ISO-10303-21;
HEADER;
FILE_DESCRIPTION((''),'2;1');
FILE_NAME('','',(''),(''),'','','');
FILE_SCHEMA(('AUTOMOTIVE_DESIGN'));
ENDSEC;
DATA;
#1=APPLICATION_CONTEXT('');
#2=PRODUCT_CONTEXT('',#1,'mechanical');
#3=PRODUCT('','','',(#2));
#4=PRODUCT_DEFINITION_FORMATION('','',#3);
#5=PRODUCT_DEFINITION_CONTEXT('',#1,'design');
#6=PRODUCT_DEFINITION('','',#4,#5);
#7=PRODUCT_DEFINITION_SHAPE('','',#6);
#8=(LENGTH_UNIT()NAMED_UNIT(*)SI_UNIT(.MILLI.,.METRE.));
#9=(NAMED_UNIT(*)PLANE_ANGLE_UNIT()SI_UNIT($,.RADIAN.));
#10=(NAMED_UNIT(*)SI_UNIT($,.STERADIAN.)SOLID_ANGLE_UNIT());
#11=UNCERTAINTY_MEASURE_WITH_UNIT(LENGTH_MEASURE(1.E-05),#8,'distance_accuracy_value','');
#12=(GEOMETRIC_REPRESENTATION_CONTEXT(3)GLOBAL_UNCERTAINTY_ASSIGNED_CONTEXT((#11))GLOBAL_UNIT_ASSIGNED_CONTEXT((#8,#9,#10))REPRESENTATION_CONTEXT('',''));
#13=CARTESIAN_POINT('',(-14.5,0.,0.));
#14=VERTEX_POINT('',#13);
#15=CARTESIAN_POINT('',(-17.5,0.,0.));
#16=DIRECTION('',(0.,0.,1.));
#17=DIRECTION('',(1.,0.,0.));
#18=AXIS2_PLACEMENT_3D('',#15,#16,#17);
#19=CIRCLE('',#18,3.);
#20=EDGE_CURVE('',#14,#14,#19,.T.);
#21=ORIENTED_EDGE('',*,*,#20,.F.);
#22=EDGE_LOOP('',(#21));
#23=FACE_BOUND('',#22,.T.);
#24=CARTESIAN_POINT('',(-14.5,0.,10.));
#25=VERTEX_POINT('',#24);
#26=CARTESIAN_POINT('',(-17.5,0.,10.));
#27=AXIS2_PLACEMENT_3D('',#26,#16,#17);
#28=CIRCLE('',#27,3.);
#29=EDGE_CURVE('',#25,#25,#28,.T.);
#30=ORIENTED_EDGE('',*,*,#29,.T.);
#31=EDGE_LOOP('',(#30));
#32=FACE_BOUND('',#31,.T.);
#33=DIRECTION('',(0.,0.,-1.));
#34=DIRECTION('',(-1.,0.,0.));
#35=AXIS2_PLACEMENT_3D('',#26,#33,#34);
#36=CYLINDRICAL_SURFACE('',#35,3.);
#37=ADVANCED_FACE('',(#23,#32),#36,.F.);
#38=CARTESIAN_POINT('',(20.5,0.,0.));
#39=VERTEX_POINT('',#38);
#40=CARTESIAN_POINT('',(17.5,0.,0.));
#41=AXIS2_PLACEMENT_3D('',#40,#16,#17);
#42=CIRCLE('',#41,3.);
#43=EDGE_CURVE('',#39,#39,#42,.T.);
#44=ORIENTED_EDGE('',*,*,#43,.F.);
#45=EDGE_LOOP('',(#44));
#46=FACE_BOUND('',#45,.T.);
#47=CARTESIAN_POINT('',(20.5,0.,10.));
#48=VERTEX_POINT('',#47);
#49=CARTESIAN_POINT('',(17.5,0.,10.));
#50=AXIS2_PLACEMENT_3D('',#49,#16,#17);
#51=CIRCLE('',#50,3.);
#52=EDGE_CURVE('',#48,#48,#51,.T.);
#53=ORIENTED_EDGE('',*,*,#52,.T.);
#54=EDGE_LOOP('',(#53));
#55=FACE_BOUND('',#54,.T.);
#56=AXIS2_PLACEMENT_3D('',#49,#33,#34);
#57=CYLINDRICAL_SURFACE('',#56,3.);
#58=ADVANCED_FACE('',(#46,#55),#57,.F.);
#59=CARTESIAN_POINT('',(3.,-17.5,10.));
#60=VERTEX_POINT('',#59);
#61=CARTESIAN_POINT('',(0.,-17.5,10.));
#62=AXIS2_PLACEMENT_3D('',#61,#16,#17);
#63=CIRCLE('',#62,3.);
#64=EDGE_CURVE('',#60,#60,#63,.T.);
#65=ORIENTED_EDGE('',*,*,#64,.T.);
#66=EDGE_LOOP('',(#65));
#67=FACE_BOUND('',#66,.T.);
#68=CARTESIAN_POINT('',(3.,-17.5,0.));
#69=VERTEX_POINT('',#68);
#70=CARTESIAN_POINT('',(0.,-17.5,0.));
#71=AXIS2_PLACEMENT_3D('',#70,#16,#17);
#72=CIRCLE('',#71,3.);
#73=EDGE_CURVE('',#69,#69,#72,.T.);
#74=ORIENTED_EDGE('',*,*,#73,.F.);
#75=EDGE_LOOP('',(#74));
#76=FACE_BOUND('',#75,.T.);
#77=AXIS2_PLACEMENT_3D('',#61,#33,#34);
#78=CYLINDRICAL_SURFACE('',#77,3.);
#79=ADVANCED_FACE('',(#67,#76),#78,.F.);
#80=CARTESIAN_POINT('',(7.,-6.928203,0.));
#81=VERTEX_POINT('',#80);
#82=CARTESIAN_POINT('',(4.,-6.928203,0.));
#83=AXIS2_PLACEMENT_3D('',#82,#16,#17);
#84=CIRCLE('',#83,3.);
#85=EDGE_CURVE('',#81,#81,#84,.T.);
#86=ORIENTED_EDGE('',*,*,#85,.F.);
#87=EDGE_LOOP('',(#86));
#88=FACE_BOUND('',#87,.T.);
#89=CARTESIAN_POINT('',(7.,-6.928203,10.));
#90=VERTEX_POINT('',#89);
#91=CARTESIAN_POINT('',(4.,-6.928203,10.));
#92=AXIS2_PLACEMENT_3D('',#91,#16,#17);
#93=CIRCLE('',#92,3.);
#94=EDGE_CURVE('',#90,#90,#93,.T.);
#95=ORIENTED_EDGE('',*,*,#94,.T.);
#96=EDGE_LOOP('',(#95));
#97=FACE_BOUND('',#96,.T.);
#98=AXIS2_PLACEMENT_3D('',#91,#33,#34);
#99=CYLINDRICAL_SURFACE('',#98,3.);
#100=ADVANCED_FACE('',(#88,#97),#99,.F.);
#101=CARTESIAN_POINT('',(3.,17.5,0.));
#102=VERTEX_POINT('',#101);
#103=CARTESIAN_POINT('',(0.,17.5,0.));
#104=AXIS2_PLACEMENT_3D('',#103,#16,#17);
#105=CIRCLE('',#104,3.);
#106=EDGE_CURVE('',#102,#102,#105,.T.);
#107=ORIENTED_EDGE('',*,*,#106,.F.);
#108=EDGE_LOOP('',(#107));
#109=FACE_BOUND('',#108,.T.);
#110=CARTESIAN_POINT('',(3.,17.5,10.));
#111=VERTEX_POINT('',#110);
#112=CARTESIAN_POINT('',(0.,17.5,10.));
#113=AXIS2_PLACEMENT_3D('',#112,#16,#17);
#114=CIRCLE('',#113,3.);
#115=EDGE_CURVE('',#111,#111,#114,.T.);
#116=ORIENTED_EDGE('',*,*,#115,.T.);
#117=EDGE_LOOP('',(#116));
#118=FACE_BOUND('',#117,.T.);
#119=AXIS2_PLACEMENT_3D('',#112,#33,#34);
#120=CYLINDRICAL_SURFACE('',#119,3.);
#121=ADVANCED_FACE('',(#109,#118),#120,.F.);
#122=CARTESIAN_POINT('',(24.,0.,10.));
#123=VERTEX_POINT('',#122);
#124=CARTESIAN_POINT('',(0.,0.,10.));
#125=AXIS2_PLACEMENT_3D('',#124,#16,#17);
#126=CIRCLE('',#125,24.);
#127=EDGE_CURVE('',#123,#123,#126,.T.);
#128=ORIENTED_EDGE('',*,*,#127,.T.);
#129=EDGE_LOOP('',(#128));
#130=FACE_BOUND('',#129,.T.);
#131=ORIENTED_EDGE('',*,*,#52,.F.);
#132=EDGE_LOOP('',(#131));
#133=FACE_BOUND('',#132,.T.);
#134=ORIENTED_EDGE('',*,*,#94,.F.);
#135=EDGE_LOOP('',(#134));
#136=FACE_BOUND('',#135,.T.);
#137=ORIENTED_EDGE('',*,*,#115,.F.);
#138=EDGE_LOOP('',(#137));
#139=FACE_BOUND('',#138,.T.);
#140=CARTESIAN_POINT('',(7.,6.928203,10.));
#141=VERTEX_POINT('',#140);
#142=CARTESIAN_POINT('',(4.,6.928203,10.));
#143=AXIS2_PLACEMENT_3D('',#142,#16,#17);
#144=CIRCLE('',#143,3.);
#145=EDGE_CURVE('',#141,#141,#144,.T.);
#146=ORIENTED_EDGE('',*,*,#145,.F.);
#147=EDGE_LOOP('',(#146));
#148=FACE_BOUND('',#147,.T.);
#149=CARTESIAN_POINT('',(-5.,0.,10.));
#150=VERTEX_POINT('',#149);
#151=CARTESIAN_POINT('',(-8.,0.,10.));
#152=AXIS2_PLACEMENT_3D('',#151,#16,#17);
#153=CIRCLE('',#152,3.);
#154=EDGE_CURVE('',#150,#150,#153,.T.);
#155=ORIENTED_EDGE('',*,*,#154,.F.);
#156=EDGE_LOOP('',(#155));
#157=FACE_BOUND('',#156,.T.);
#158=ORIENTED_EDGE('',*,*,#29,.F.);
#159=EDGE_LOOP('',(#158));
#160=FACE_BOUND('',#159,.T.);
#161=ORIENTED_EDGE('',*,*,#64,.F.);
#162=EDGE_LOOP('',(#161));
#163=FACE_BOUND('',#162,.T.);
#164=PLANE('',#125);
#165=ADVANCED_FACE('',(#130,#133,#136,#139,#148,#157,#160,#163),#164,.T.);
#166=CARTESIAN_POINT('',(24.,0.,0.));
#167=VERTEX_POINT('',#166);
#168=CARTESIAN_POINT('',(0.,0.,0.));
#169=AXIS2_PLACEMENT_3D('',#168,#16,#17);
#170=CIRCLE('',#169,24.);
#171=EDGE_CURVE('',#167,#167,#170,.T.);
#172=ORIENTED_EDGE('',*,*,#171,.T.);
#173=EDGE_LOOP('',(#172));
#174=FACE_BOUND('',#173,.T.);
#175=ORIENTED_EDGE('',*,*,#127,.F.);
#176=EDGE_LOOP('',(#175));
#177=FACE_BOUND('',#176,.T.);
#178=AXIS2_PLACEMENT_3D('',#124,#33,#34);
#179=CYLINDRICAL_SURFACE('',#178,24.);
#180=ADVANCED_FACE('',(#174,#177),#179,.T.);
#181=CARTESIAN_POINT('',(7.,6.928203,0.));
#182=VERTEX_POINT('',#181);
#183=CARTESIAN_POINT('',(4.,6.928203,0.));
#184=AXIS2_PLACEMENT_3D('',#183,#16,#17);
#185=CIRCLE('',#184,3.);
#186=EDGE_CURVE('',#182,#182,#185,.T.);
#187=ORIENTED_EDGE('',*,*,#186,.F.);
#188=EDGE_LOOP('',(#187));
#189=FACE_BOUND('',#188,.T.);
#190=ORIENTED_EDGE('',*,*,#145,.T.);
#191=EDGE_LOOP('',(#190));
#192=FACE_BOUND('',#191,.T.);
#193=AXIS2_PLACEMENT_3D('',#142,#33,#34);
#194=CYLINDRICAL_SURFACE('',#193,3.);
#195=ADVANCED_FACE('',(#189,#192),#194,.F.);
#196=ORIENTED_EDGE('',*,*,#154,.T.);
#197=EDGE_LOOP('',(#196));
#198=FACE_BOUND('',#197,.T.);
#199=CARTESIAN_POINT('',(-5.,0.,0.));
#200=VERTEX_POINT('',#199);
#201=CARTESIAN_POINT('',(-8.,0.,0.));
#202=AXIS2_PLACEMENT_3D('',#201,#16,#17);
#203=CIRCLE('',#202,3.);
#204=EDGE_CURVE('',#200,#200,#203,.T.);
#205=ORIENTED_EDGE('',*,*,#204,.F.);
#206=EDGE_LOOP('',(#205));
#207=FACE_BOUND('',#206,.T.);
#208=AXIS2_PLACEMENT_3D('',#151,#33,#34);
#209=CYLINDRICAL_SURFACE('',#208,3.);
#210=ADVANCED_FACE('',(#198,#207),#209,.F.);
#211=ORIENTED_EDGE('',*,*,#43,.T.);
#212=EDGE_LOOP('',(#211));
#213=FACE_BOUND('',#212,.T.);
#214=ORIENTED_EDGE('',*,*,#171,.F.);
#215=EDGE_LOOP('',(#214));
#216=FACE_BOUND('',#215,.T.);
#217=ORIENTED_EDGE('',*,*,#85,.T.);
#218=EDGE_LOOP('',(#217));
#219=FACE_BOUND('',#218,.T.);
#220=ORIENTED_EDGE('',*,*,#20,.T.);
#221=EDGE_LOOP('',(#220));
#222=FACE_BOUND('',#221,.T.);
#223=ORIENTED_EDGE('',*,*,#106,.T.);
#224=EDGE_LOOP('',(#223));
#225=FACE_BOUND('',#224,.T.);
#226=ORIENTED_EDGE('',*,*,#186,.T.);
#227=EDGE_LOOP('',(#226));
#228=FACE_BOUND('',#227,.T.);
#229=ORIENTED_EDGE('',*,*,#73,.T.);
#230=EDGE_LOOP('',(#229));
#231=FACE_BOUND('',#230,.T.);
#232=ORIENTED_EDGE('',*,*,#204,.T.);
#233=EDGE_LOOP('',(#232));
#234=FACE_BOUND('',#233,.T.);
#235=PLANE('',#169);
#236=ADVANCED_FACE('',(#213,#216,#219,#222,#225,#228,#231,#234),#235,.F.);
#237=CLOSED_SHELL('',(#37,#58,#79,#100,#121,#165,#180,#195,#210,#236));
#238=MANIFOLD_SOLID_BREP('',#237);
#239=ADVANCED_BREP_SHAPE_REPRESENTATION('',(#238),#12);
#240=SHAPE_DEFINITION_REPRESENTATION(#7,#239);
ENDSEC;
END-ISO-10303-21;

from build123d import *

# Parameters (mm, degrees)
SKETCH_1_R      = 24
SKETCH_1_R_2    = 3
EXTRUDE_1_DEPTH = 10


with BuildPart() as part:
    # 草图1 → 凸台-拉伸1 (new body)
    with BuildSketch(Plane.XY):
        Circle(SKETCH_1_R)
        with Locations((-8, 0)):
            Circle(SKETCH_1_R_2, mode=Mode.SUBTRACT)
        with Locations((4, 6.92820323)):
            Circle(SKETCH_1_R_2, mode=Mode.SUBTRACT)
        with Locations((4, -6.92820323)):
            Circle(SKETCH_1_R_2, mode=Mode.SUBTRACT)
        with Locations((-17.5, 0)):
            Circle(SKETCH_1_R_2, mode=Mode.SUBTRACT)
        with Locations((0, 17.5)):
            Circle(SKETCH_1_R_2, mode=Mode.SUBTRACT)
        with Locations((17.5, 0)):
            Circle(SKETCH_1_R_2, mode=Mode.SUBTRACT)
        with Locations((0, -17.5)):
            Circle(SKETCH_1_R_2, mode=Mode.SUBTRACT)
    extrude(amount=EXTRUDE_1_DEPTH)


solid = part.part
